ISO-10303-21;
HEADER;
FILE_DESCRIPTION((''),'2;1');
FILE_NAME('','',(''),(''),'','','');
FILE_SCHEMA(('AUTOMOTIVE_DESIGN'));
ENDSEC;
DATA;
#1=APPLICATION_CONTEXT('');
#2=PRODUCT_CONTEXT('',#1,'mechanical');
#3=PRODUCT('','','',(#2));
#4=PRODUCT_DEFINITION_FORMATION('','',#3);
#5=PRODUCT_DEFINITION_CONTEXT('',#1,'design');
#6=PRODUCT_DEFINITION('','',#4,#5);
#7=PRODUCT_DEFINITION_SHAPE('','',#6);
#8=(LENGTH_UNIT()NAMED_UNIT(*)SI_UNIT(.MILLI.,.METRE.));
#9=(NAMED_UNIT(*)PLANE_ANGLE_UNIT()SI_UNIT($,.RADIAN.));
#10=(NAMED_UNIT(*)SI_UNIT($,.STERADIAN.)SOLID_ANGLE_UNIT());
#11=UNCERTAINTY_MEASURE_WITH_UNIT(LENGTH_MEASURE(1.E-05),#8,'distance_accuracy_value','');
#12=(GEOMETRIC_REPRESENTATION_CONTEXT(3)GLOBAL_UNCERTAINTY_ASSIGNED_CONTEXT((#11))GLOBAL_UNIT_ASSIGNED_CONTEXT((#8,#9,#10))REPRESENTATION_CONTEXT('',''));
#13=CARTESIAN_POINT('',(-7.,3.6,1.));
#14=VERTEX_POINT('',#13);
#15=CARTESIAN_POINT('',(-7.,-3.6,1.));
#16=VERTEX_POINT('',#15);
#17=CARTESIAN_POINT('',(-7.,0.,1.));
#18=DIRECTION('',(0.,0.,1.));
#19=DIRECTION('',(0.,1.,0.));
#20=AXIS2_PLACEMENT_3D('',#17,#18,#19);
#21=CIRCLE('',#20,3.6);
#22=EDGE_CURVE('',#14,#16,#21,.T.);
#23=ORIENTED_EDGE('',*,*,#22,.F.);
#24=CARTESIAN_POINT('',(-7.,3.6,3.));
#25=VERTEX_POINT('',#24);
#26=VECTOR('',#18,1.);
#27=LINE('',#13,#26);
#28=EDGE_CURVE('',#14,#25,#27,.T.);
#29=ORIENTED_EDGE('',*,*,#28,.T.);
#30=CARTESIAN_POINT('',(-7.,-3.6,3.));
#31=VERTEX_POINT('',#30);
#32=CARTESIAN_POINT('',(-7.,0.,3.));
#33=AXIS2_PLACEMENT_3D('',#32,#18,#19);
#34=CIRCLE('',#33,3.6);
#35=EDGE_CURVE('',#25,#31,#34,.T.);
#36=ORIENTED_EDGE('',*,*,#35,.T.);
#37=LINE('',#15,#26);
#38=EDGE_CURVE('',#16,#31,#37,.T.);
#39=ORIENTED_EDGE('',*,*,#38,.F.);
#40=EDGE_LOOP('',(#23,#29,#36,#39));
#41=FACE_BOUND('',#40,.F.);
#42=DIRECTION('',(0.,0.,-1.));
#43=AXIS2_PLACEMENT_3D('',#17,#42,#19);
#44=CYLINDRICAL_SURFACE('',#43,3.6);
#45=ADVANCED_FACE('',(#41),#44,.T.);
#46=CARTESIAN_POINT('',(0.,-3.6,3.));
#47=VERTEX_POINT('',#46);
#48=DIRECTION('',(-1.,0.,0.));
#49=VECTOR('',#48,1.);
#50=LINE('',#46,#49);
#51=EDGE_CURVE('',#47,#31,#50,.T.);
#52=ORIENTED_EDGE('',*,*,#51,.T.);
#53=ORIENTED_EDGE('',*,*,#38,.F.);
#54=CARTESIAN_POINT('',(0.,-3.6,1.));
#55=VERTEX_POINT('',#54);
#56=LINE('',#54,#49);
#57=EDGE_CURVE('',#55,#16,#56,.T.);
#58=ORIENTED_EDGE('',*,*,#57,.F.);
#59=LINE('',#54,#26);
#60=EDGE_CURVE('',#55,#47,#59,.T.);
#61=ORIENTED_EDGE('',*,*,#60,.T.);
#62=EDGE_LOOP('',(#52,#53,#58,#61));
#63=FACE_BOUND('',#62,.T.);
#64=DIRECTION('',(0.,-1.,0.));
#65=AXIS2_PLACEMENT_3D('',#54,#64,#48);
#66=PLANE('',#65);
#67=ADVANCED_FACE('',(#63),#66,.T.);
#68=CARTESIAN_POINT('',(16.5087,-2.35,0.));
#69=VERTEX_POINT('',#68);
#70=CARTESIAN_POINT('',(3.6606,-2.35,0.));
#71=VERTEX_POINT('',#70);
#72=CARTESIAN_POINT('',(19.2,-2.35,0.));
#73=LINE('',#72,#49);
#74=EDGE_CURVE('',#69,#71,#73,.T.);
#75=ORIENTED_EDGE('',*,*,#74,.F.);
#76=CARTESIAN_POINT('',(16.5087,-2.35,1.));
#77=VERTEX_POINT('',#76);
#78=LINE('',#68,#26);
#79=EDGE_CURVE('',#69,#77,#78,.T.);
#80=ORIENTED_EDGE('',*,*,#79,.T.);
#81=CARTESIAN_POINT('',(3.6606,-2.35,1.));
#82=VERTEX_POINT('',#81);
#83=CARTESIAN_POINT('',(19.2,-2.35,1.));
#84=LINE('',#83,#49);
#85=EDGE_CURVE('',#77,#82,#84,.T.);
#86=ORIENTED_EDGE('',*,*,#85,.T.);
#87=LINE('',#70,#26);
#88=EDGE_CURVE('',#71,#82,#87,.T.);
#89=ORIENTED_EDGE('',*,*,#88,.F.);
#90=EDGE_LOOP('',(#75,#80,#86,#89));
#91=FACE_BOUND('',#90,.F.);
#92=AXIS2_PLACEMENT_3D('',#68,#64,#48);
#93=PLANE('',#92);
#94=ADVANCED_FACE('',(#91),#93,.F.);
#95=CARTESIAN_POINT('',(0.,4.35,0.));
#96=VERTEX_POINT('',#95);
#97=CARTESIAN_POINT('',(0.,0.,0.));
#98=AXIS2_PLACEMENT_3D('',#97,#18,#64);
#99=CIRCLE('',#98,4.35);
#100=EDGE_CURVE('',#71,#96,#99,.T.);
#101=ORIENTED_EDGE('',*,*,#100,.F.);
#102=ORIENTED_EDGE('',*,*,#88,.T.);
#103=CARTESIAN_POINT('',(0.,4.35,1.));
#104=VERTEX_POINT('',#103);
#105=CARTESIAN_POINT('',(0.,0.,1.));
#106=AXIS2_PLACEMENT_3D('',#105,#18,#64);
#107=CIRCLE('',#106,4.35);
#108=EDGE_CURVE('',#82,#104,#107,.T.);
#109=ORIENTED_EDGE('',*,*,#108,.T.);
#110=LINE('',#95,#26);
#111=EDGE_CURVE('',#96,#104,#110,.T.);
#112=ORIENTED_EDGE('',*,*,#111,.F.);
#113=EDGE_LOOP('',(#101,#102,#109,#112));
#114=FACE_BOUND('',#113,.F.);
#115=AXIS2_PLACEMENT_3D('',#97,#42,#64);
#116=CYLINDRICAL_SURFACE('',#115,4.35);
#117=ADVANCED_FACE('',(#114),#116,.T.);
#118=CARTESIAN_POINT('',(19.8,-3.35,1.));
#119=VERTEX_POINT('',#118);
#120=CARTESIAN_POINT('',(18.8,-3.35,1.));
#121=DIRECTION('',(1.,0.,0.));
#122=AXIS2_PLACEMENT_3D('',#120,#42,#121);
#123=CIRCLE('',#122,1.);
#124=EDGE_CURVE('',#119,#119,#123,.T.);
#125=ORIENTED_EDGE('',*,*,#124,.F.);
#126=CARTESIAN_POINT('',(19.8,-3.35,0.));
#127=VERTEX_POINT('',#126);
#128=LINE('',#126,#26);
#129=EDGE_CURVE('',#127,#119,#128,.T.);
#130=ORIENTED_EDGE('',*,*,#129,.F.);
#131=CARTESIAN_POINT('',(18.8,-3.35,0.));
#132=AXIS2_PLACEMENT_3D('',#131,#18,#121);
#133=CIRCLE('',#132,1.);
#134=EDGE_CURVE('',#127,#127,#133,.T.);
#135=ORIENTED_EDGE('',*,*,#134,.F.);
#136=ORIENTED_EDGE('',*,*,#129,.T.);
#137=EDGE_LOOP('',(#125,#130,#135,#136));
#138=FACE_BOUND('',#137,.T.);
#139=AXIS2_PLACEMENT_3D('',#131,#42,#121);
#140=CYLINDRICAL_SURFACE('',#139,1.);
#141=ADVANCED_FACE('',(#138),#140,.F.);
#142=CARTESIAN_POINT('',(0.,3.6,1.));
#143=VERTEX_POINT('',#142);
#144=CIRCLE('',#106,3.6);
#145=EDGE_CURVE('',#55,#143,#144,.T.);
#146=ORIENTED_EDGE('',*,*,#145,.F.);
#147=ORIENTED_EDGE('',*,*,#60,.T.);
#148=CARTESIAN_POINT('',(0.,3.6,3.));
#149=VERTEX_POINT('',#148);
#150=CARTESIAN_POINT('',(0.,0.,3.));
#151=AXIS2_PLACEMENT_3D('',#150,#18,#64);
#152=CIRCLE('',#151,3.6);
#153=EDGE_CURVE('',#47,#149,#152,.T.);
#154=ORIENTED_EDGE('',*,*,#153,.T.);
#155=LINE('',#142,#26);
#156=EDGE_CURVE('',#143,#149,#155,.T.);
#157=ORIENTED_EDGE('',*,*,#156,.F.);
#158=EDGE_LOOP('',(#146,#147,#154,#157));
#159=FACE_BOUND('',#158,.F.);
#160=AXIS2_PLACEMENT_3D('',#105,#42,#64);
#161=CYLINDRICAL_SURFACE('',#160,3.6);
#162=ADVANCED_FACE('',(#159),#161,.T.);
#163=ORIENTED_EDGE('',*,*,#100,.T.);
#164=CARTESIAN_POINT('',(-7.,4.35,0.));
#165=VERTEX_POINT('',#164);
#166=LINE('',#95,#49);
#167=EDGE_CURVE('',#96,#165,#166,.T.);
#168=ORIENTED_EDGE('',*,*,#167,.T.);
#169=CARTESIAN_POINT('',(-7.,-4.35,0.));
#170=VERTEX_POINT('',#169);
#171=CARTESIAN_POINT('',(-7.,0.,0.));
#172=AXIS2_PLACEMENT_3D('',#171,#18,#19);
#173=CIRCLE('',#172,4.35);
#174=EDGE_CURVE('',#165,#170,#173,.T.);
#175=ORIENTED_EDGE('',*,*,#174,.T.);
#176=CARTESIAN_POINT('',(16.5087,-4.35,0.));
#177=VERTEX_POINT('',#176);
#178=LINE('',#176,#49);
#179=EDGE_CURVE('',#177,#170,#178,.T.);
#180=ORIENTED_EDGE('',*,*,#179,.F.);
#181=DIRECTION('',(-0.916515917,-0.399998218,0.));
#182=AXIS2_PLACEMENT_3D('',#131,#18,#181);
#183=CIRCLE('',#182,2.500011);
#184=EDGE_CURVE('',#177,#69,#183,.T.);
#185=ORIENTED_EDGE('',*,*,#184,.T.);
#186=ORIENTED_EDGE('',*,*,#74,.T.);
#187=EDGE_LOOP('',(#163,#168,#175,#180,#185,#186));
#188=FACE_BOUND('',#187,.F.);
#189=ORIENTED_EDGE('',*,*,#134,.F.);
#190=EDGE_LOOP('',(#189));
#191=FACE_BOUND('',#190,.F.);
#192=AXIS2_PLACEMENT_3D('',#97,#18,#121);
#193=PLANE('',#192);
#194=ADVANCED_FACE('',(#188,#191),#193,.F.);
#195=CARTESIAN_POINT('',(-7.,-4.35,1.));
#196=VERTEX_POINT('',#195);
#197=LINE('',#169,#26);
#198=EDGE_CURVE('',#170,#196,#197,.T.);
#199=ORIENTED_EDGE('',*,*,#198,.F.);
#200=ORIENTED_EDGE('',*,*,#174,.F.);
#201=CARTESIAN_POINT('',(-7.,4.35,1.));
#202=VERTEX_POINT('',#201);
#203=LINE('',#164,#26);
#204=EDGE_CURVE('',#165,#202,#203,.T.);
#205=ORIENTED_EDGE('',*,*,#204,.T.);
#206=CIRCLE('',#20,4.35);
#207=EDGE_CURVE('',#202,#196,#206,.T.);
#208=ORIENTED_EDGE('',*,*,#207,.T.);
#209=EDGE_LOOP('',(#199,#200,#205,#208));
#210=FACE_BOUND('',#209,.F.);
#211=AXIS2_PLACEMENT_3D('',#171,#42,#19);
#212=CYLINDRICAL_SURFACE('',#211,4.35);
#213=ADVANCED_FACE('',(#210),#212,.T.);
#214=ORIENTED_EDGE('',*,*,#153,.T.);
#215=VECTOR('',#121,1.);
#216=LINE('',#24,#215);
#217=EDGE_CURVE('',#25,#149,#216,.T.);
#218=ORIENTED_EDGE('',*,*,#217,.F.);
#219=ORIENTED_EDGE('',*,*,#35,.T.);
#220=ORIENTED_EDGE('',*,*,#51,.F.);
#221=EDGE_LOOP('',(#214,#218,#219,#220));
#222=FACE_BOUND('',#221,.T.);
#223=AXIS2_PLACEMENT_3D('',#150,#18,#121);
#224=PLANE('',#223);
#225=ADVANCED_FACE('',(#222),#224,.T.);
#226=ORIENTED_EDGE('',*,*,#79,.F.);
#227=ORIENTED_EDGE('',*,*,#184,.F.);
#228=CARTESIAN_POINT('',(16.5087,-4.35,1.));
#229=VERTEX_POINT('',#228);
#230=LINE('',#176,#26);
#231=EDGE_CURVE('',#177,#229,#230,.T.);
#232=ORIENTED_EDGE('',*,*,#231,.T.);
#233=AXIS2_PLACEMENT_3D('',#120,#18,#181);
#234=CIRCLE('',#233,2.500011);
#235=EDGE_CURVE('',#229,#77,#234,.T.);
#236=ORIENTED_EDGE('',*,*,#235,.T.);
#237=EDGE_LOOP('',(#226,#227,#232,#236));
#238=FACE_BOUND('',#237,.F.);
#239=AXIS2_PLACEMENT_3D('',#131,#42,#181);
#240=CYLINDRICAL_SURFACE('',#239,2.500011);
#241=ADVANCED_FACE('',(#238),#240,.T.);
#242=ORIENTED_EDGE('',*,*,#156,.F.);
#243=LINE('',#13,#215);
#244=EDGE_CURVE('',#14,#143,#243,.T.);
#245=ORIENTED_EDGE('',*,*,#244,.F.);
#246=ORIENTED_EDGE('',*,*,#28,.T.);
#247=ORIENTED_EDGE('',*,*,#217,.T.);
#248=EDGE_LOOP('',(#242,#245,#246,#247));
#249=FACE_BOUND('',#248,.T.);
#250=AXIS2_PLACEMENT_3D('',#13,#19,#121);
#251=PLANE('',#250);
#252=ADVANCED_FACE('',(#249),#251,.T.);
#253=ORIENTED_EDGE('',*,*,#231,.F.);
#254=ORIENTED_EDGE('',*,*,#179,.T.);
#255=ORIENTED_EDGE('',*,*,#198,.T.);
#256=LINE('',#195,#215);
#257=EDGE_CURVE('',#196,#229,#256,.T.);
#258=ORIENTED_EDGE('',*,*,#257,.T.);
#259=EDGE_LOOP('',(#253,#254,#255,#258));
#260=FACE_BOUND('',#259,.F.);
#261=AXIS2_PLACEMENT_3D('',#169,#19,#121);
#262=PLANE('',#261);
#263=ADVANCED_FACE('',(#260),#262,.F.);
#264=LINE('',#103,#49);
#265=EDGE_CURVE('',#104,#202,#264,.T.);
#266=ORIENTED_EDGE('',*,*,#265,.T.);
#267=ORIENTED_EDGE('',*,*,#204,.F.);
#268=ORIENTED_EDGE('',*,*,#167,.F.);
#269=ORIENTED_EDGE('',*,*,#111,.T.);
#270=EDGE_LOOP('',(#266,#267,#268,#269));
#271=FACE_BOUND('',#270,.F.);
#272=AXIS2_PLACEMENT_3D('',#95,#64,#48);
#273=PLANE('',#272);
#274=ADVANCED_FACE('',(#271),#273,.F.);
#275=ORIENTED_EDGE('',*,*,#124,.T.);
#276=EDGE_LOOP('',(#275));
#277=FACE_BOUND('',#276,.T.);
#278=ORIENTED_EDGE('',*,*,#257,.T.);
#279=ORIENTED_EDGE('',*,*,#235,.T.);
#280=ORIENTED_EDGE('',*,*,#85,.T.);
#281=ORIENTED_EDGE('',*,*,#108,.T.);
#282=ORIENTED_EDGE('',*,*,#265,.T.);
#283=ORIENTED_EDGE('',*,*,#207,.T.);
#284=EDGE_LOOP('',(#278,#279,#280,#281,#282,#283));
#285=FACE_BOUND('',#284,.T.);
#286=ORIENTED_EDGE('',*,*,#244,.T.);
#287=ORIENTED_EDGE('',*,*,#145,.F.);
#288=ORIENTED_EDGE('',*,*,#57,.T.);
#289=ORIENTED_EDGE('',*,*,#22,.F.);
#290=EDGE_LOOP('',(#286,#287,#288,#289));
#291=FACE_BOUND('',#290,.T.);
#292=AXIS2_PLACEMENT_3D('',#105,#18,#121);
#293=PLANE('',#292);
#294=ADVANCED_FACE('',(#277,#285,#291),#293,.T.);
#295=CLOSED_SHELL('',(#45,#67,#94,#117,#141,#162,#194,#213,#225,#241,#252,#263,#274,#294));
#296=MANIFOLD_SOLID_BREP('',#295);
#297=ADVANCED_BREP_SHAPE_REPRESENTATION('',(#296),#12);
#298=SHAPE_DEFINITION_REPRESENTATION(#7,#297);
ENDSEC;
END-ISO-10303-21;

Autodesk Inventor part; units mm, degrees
ref_plane "YZ Plane" through (0, 0, 0) normal (1, 0, 0) x (0, 1, 0)
ref_plane "XZ Plane" through (0, 0, 0) normal (0, 1, 0) x (-1, 0, 0)
ref_plane "XY Plane" through (0, 0, 0) normal (0, 0, 1) x (1, 0, 0)
sketch "Sketch1" plane through (0, 0, 0) normal (0, 0, 1) x (1, 0, 0)
  line L0 (0, 0) -> (-7, 0) construction
  line L1 (0, 4.35) -> (-7, 4.35)
  line L2 (-7, -4.35) -> (0, -4.35)
  arc A0 (0, -4.35) -> (0, 4.35) centre (0, 0) ccw
  arc A1 (-7, 4.35) -> (-7, -4.35) centre (-7, 0) ccw
  line L3 (-7, 3.6) -> (0, 3.6)
  arc A2 (0, -3.6) -> (0, 3.6) centre (0, 0) ccw
  line L4 (0, -3.6) -> (-7, -3.6)
  arc A3 (-7, 3.6) -> (-7, -3.6) centre (-7, 0) ccw
  line L5 (0, -4.35) -> (19.2, -4.35)
  line L6 (20, -3.55) -> (20, -3.15)
  line L7 (19.2, -2.35) -> (3.6606, -2.35)
  circle A4 centre (18.8, -3.35) radius 1
  arc A5 (20, -3.15) -> (19.2, -2.35) centre (19.2, -3.15) ccw
  arc A6 (19.2, -4.35) -> (20, -3.55) centre (19.2, -3.55) ccw
  arc A7 (16.5087, -4.35) -> (16.5087, -2.35) centre (18.8, -3.35) ccw
  line L8 (18.8, -3.35) -> (5.3494, -3.35) construction
  point P0 (-3.5, 0)
  point P1 (20, -4.35)
  point P2 (20, -2.35)
  dimension "d0" = 7
  dimension "d1" = 8.7
  dimension "d5" = 3.6
  dimension "d6" = 2
  dimension "d7" = 2
  dimension "d8" = 20
  dimension "d9" = 1.2
  dimension "d10" = 0.8
  dimension "d13" = 5
  dimension "d14" = 1
extrude "Extrusion1" add sketch "Sketch1" along normal blind 1 contours A0 L2 A1 L1 | L7 A4 L5 A0 | A7 L5 A6 L6 A5 L7 | L7 A5 L6 A6 L5 A4 | L3 A2 L4 A3
extrude "Extrusion2" add sketch "Sketch1" along normal blind 2 from surface at 1 contours L3 A2 L4 A3
properties part number "tappino tpu" material "Thermoplastic Resin"
